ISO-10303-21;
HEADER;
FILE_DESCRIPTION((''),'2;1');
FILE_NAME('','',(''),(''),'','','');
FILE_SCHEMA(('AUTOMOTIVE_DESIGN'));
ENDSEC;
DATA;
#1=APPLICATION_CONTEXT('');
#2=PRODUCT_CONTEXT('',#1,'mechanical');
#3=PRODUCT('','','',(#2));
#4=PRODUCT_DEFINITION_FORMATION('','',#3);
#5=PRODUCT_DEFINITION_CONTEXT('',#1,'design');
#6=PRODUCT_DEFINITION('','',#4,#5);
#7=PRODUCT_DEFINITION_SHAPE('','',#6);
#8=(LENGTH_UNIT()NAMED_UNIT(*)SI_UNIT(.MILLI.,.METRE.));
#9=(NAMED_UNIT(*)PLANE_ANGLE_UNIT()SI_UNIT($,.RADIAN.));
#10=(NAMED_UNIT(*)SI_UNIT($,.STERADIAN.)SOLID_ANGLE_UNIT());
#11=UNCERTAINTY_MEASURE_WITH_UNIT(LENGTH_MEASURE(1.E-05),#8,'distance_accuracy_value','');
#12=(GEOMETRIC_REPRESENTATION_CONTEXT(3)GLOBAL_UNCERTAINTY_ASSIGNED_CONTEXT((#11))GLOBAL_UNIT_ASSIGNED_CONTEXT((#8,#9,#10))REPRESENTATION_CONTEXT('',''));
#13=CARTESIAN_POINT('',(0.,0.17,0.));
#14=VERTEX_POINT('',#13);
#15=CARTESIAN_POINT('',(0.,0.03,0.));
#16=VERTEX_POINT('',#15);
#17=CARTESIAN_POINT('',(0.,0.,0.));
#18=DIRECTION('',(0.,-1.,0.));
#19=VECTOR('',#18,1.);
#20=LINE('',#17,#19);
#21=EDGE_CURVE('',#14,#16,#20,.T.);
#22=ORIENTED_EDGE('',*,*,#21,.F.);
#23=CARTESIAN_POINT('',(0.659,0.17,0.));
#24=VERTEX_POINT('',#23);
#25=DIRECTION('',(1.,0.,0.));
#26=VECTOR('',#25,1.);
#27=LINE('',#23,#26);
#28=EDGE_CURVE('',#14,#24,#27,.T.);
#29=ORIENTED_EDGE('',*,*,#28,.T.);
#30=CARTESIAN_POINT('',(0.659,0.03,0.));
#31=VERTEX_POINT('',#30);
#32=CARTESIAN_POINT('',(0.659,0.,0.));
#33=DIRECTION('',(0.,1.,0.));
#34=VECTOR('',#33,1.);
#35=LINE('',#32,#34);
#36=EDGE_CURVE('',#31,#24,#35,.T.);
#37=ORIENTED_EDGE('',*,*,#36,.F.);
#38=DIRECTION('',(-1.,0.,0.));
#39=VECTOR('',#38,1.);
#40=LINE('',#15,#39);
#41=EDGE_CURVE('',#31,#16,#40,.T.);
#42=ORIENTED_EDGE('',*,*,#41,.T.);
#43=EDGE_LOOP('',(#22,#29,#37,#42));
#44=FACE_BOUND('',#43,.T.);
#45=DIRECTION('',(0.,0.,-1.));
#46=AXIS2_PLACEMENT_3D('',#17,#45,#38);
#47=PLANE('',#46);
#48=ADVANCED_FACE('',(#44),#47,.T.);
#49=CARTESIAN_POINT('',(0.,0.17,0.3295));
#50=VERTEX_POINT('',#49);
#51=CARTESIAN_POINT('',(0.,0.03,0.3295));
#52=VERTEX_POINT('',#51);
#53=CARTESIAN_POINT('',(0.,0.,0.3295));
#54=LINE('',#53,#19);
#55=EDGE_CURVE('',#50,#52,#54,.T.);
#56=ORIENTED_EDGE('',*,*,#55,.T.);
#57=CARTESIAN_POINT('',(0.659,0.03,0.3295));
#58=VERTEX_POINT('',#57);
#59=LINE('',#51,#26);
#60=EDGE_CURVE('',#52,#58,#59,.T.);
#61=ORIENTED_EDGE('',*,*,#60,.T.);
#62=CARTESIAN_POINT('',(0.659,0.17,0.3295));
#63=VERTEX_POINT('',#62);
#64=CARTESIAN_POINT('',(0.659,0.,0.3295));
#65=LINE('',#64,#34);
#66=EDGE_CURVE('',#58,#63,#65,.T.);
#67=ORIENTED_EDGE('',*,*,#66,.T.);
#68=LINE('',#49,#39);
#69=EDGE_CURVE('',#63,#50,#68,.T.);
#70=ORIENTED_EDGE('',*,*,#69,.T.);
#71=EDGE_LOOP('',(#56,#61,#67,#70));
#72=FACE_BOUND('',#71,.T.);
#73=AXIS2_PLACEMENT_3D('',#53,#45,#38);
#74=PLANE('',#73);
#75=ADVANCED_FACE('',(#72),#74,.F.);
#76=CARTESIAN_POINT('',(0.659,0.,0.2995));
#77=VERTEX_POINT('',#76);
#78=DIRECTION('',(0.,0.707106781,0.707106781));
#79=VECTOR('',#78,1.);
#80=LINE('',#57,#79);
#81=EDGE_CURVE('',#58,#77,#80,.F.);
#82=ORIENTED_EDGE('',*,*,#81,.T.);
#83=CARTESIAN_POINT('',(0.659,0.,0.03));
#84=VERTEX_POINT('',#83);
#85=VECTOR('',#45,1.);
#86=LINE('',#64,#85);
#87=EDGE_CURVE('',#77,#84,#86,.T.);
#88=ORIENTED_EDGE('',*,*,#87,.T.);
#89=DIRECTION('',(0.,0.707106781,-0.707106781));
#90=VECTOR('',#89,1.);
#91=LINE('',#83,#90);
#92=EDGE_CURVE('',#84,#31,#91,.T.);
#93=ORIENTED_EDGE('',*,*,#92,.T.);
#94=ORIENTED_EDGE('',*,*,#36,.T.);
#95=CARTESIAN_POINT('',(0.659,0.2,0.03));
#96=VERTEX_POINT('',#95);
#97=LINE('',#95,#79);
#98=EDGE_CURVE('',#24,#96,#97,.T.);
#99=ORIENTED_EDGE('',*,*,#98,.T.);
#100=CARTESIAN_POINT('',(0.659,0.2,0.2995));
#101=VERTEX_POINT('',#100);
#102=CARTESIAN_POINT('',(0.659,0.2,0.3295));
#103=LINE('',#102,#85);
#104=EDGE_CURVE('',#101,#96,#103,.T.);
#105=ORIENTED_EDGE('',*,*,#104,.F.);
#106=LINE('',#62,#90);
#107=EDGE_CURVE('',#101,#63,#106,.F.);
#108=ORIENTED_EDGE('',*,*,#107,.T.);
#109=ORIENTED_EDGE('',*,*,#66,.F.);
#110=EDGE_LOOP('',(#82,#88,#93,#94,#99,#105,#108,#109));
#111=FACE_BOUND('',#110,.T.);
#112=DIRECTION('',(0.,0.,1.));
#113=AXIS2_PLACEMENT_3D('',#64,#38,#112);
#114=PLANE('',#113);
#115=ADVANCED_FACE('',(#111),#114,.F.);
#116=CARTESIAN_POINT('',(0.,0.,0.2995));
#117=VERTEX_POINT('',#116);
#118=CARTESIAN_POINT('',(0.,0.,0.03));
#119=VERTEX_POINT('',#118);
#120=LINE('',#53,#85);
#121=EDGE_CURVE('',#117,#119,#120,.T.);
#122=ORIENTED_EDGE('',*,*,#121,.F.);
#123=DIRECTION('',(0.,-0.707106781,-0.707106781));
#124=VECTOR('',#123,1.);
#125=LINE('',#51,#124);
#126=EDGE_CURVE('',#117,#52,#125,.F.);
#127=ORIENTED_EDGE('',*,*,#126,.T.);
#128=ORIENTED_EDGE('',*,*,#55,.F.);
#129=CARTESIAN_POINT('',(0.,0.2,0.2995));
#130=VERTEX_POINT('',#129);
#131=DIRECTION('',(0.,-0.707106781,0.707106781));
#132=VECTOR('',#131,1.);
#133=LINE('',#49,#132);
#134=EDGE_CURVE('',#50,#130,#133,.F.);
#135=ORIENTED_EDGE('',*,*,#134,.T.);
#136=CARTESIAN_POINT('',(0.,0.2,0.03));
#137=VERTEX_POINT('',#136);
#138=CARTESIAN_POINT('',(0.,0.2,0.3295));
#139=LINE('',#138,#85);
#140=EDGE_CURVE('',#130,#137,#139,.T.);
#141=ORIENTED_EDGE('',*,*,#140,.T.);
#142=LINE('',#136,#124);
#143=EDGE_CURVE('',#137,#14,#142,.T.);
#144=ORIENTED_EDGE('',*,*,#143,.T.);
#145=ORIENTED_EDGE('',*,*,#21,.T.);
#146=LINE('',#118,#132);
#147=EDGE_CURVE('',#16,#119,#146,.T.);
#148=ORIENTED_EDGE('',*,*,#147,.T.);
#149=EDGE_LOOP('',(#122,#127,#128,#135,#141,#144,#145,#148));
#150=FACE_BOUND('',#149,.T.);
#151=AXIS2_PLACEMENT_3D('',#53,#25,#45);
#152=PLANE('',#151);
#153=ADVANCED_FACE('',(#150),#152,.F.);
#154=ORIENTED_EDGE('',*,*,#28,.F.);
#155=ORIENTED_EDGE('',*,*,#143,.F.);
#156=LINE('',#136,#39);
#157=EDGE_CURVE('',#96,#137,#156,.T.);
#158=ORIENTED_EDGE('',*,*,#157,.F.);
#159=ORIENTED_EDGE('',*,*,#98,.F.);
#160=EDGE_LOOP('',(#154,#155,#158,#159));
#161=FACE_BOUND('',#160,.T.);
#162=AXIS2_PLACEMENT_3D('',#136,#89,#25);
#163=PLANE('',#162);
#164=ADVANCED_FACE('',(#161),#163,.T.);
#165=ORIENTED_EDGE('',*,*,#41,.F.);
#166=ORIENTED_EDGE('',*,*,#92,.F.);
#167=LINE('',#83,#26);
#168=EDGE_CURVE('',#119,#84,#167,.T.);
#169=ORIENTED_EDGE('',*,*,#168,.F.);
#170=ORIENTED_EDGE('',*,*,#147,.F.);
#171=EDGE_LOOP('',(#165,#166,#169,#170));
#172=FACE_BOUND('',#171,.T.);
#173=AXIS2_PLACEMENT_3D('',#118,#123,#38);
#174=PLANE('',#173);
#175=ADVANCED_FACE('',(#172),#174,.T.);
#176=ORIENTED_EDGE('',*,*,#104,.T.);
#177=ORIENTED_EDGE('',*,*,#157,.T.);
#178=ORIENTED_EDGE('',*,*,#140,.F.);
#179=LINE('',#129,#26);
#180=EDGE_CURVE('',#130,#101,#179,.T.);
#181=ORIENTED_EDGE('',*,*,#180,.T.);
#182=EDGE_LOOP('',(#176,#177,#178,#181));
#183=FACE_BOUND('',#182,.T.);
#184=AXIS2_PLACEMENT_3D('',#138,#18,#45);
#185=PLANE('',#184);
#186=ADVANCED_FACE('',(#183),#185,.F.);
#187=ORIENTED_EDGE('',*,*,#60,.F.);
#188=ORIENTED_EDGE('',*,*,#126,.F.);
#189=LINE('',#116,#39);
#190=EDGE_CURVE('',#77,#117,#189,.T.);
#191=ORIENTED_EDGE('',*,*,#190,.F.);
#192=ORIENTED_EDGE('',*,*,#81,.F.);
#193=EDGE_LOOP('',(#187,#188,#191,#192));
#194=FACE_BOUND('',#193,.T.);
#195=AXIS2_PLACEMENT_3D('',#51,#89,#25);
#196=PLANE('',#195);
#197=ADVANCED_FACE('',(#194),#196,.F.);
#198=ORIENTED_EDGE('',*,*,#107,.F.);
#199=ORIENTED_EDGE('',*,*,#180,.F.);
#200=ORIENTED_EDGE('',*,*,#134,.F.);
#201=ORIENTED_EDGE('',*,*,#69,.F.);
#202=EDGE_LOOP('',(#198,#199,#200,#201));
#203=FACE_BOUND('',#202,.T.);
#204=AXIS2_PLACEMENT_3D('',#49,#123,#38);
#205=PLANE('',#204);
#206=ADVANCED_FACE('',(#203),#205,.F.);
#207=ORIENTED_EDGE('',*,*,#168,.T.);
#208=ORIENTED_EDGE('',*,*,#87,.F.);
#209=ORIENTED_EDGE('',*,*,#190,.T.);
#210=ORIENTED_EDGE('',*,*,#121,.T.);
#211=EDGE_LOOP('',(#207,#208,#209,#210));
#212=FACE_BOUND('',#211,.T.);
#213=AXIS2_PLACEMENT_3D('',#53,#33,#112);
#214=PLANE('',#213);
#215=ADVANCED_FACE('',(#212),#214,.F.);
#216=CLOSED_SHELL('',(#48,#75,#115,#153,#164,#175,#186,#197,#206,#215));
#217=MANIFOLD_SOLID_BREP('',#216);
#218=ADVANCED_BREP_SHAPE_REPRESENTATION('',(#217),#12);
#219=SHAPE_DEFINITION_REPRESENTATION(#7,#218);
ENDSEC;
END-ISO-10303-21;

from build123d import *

# Parameters (mm, degrees)
SKETCH1_W           = 0.659
SKETCH1_H           = 0.2
BOSS_EXTRUDE1_DEPTH = 0.3295
CHAMFER1_SIZE       = 0.03


with BuildPart() as part:
    # Sketch1 → Boss-Extrude1 (new body)
    with BuildSketch(Plane.XY):
        with Locations((0.3295, 0.1)):
            Rectangle(SKETCH1_W, SKETCH1_H)
    extrude(amount=BOSS_EXTRUDE1_DEPTH)

    # Chamfer1
    chamfer1_edges = [part.edges().sort_by_distance(p)[0] for p in [
        (0.3295, 0.2, 0.3295),
        (0.3295, 0.2, 0),
        (0.3295, 0, 0),
        (0.3295, 0, 0.3295),
    ]]
    chamfer(chamfer1_edges, length=CHAMFER1_SIZE)


solid = part.part
